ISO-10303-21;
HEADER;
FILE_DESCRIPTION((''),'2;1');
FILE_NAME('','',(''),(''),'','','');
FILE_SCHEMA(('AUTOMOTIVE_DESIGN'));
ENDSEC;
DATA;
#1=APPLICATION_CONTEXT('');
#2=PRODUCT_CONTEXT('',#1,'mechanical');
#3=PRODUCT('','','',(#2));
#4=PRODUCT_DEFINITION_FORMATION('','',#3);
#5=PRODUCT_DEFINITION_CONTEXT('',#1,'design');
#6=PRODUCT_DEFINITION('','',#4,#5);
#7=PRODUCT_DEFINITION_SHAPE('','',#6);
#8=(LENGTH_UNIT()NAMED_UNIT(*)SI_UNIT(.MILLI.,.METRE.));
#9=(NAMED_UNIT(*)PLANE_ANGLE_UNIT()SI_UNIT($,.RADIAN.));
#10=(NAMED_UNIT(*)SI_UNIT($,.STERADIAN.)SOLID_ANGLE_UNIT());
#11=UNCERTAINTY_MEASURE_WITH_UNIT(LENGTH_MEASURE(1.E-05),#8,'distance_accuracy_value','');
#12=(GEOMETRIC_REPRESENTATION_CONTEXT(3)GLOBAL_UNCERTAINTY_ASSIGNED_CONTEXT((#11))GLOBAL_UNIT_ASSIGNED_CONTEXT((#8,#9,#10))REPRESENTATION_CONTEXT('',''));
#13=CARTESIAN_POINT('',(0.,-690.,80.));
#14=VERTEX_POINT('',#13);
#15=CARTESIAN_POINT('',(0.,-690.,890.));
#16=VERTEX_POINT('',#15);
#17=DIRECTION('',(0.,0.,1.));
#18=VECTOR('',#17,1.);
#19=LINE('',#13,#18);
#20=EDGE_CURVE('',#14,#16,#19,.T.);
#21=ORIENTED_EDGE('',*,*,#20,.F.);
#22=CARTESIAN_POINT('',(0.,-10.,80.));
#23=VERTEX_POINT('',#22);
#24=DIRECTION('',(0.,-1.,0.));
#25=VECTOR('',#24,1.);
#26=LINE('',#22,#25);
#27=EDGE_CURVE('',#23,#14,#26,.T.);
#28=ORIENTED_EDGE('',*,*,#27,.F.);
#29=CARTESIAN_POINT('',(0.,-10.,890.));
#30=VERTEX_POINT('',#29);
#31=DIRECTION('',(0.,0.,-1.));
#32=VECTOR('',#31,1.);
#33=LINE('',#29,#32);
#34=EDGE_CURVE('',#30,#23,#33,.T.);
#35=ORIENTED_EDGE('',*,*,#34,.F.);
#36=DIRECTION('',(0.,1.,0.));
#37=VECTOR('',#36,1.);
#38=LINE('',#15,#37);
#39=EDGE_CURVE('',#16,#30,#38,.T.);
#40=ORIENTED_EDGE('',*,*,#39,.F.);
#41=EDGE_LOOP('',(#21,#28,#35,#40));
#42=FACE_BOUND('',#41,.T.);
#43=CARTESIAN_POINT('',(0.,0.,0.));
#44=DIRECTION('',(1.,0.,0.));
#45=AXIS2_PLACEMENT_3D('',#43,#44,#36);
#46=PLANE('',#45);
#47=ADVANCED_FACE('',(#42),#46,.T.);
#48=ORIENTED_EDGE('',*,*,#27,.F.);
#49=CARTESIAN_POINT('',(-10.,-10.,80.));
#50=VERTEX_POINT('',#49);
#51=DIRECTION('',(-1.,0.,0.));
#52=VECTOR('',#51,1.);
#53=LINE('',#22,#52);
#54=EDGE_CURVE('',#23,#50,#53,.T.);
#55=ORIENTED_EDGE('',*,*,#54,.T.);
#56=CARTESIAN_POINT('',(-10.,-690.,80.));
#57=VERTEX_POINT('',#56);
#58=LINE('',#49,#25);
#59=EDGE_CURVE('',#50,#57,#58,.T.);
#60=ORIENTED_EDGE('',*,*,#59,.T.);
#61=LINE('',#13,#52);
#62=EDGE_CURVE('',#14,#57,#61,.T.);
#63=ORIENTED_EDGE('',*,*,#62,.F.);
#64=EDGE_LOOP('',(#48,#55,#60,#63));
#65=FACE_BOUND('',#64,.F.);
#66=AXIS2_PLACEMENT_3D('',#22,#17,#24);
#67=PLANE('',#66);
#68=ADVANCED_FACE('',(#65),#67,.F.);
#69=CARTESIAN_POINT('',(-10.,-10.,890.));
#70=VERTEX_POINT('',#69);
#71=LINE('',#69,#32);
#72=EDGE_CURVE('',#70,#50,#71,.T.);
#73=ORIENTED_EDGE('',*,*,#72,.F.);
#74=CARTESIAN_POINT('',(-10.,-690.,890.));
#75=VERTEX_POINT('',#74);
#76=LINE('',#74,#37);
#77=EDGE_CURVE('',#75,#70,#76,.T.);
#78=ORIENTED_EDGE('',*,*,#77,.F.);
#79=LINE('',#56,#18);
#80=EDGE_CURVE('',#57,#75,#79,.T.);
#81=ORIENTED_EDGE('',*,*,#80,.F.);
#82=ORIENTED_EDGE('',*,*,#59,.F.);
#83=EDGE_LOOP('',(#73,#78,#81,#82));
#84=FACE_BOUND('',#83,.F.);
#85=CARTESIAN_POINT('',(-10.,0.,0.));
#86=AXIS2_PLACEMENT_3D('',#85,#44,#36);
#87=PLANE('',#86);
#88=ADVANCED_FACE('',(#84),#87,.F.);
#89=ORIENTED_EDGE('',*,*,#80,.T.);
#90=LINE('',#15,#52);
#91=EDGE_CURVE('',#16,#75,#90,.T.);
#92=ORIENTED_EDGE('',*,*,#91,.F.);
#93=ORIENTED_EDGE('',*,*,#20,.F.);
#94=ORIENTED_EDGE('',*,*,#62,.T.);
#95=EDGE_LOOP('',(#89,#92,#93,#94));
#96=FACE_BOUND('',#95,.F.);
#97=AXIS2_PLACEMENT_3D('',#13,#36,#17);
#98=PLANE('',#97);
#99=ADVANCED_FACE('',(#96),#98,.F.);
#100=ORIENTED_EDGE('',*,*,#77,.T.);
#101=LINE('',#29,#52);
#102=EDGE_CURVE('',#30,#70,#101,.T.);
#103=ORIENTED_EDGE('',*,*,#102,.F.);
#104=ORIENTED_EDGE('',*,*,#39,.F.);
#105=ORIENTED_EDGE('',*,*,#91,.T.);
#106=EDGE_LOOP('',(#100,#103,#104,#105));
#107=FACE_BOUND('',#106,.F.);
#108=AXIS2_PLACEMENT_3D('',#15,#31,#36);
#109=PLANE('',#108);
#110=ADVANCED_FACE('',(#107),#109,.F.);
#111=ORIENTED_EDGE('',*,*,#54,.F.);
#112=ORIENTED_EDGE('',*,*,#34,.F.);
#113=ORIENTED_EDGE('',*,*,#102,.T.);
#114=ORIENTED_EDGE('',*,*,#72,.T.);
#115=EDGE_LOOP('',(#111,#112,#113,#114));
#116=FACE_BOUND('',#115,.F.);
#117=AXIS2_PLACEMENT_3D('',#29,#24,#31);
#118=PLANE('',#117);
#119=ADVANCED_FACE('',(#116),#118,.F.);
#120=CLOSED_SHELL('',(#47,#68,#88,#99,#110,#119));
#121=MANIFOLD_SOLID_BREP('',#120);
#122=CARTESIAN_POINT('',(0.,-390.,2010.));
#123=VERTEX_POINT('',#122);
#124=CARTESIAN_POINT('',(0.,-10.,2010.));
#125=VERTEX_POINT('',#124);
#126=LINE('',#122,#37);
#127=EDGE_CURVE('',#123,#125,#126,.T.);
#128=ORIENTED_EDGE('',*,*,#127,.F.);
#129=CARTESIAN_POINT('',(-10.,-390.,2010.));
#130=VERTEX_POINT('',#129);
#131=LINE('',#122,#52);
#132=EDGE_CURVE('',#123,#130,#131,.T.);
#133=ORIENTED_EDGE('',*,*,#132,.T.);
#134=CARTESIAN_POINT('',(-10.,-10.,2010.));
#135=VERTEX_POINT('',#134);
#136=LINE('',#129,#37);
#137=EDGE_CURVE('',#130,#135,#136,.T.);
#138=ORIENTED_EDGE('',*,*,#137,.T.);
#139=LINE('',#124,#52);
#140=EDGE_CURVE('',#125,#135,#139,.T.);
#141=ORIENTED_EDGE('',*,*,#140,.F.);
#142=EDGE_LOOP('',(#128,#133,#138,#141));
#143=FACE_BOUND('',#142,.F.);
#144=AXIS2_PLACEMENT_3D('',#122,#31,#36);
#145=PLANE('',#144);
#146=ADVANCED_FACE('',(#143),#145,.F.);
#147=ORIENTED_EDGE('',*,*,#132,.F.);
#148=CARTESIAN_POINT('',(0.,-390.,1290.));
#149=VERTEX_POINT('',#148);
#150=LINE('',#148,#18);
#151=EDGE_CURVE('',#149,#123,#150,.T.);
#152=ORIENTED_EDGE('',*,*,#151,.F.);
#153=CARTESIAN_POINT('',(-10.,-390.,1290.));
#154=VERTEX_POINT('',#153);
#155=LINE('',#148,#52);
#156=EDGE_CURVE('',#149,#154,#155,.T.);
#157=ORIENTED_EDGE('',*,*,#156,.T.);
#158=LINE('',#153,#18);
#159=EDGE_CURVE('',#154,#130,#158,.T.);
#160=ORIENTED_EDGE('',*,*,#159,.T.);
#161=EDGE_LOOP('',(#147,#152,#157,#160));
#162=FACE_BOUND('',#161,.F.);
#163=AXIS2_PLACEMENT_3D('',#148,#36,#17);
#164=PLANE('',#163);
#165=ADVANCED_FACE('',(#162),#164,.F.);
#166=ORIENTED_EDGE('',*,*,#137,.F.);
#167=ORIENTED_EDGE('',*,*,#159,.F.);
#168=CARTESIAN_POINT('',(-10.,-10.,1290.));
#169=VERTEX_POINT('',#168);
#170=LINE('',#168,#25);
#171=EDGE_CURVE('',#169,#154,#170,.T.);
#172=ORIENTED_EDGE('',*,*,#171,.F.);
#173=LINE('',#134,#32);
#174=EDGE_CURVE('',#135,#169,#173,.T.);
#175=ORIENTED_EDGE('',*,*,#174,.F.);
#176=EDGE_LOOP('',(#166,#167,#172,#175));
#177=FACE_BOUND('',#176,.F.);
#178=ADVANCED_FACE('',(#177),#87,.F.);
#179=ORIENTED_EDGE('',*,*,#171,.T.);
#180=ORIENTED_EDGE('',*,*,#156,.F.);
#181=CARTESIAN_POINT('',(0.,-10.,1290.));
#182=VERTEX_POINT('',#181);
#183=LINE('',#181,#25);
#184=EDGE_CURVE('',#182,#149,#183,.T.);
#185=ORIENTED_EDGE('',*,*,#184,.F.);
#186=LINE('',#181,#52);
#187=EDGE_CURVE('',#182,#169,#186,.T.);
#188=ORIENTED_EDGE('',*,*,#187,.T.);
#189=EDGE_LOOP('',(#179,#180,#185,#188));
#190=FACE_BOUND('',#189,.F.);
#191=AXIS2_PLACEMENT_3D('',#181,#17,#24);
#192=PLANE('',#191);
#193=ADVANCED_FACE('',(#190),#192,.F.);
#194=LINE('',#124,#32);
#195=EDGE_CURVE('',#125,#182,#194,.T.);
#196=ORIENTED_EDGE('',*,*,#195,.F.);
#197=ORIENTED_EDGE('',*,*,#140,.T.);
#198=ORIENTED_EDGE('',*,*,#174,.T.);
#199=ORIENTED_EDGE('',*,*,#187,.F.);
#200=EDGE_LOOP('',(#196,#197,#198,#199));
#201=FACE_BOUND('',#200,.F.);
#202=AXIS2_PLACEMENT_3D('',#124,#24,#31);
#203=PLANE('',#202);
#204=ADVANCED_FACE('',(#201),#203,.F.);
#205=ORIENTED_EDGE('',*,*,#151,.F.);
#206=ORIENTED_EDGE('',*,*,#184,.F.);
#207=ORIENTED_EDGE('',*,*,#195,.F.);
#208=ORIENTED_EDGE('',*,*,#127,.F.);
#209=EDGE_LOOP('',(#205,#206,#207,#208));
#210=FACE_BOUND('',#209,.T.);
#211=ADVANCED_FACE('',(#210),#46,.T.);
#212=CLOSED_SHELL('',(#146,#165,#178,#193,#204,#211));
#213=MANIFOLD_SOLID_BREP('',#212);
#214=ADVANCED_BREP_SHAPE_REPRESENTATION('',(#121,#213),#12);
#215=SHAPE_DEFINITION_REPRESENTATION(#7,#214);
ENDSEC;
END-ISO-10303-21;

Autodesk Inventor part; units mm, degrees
ref_plane "YZ Plane" through (0, 0, 0) normal (1, 0, 0) x (0, 1, 0)
ref_plane "XZ Plane" through (0, 0, 0) normal (0, 1, 0) x (-1, 0, 0)
ref_plane "XY Plane" through (0, 0, 0) normal (0, 0, 1) x (1, 0, 0)
sketch "Sketch1" plane through (0, 0, 0) normal (1, 0, 0) x (0, 1, 0)
  line L0 (0, 0) -> (0, 80) construction
  line L1 (0, 80) -> (-10, 80) construction
  line L2 (-10, 80) -> (-690, 80)
  line L3 (-690, 80) -> (-690, 890)
  line L4 (-690, 890) -> (-10, 890)
  line L5 (-10, 890) -> (-10, 80)
  line L6 (-10, 890) -> (-10, 1290) construction
  line L7 (-10, 1290) -> (-390, 1290)
  line L8 (-390, 1290) -> (-390, 2010)
  line L9 (-390, 2010) -> (-10, 2010)
  line L10 (-10, 2010) -> (-10, 1290)
  dimension "d0" = 80
  dimension "espesor" = 10
  dimension "ancho" = 680
  dimension "h_inf" = 810
  dimension "h_esp" = 400
  dimension "profundidad" = 380
  dimension "alto_sup" = 720
extrude "Extrusion1" add sketch "Sketch1" against normal blind 10
equation "\"d7\" = espesor"
properties part number "pared_lateral"
